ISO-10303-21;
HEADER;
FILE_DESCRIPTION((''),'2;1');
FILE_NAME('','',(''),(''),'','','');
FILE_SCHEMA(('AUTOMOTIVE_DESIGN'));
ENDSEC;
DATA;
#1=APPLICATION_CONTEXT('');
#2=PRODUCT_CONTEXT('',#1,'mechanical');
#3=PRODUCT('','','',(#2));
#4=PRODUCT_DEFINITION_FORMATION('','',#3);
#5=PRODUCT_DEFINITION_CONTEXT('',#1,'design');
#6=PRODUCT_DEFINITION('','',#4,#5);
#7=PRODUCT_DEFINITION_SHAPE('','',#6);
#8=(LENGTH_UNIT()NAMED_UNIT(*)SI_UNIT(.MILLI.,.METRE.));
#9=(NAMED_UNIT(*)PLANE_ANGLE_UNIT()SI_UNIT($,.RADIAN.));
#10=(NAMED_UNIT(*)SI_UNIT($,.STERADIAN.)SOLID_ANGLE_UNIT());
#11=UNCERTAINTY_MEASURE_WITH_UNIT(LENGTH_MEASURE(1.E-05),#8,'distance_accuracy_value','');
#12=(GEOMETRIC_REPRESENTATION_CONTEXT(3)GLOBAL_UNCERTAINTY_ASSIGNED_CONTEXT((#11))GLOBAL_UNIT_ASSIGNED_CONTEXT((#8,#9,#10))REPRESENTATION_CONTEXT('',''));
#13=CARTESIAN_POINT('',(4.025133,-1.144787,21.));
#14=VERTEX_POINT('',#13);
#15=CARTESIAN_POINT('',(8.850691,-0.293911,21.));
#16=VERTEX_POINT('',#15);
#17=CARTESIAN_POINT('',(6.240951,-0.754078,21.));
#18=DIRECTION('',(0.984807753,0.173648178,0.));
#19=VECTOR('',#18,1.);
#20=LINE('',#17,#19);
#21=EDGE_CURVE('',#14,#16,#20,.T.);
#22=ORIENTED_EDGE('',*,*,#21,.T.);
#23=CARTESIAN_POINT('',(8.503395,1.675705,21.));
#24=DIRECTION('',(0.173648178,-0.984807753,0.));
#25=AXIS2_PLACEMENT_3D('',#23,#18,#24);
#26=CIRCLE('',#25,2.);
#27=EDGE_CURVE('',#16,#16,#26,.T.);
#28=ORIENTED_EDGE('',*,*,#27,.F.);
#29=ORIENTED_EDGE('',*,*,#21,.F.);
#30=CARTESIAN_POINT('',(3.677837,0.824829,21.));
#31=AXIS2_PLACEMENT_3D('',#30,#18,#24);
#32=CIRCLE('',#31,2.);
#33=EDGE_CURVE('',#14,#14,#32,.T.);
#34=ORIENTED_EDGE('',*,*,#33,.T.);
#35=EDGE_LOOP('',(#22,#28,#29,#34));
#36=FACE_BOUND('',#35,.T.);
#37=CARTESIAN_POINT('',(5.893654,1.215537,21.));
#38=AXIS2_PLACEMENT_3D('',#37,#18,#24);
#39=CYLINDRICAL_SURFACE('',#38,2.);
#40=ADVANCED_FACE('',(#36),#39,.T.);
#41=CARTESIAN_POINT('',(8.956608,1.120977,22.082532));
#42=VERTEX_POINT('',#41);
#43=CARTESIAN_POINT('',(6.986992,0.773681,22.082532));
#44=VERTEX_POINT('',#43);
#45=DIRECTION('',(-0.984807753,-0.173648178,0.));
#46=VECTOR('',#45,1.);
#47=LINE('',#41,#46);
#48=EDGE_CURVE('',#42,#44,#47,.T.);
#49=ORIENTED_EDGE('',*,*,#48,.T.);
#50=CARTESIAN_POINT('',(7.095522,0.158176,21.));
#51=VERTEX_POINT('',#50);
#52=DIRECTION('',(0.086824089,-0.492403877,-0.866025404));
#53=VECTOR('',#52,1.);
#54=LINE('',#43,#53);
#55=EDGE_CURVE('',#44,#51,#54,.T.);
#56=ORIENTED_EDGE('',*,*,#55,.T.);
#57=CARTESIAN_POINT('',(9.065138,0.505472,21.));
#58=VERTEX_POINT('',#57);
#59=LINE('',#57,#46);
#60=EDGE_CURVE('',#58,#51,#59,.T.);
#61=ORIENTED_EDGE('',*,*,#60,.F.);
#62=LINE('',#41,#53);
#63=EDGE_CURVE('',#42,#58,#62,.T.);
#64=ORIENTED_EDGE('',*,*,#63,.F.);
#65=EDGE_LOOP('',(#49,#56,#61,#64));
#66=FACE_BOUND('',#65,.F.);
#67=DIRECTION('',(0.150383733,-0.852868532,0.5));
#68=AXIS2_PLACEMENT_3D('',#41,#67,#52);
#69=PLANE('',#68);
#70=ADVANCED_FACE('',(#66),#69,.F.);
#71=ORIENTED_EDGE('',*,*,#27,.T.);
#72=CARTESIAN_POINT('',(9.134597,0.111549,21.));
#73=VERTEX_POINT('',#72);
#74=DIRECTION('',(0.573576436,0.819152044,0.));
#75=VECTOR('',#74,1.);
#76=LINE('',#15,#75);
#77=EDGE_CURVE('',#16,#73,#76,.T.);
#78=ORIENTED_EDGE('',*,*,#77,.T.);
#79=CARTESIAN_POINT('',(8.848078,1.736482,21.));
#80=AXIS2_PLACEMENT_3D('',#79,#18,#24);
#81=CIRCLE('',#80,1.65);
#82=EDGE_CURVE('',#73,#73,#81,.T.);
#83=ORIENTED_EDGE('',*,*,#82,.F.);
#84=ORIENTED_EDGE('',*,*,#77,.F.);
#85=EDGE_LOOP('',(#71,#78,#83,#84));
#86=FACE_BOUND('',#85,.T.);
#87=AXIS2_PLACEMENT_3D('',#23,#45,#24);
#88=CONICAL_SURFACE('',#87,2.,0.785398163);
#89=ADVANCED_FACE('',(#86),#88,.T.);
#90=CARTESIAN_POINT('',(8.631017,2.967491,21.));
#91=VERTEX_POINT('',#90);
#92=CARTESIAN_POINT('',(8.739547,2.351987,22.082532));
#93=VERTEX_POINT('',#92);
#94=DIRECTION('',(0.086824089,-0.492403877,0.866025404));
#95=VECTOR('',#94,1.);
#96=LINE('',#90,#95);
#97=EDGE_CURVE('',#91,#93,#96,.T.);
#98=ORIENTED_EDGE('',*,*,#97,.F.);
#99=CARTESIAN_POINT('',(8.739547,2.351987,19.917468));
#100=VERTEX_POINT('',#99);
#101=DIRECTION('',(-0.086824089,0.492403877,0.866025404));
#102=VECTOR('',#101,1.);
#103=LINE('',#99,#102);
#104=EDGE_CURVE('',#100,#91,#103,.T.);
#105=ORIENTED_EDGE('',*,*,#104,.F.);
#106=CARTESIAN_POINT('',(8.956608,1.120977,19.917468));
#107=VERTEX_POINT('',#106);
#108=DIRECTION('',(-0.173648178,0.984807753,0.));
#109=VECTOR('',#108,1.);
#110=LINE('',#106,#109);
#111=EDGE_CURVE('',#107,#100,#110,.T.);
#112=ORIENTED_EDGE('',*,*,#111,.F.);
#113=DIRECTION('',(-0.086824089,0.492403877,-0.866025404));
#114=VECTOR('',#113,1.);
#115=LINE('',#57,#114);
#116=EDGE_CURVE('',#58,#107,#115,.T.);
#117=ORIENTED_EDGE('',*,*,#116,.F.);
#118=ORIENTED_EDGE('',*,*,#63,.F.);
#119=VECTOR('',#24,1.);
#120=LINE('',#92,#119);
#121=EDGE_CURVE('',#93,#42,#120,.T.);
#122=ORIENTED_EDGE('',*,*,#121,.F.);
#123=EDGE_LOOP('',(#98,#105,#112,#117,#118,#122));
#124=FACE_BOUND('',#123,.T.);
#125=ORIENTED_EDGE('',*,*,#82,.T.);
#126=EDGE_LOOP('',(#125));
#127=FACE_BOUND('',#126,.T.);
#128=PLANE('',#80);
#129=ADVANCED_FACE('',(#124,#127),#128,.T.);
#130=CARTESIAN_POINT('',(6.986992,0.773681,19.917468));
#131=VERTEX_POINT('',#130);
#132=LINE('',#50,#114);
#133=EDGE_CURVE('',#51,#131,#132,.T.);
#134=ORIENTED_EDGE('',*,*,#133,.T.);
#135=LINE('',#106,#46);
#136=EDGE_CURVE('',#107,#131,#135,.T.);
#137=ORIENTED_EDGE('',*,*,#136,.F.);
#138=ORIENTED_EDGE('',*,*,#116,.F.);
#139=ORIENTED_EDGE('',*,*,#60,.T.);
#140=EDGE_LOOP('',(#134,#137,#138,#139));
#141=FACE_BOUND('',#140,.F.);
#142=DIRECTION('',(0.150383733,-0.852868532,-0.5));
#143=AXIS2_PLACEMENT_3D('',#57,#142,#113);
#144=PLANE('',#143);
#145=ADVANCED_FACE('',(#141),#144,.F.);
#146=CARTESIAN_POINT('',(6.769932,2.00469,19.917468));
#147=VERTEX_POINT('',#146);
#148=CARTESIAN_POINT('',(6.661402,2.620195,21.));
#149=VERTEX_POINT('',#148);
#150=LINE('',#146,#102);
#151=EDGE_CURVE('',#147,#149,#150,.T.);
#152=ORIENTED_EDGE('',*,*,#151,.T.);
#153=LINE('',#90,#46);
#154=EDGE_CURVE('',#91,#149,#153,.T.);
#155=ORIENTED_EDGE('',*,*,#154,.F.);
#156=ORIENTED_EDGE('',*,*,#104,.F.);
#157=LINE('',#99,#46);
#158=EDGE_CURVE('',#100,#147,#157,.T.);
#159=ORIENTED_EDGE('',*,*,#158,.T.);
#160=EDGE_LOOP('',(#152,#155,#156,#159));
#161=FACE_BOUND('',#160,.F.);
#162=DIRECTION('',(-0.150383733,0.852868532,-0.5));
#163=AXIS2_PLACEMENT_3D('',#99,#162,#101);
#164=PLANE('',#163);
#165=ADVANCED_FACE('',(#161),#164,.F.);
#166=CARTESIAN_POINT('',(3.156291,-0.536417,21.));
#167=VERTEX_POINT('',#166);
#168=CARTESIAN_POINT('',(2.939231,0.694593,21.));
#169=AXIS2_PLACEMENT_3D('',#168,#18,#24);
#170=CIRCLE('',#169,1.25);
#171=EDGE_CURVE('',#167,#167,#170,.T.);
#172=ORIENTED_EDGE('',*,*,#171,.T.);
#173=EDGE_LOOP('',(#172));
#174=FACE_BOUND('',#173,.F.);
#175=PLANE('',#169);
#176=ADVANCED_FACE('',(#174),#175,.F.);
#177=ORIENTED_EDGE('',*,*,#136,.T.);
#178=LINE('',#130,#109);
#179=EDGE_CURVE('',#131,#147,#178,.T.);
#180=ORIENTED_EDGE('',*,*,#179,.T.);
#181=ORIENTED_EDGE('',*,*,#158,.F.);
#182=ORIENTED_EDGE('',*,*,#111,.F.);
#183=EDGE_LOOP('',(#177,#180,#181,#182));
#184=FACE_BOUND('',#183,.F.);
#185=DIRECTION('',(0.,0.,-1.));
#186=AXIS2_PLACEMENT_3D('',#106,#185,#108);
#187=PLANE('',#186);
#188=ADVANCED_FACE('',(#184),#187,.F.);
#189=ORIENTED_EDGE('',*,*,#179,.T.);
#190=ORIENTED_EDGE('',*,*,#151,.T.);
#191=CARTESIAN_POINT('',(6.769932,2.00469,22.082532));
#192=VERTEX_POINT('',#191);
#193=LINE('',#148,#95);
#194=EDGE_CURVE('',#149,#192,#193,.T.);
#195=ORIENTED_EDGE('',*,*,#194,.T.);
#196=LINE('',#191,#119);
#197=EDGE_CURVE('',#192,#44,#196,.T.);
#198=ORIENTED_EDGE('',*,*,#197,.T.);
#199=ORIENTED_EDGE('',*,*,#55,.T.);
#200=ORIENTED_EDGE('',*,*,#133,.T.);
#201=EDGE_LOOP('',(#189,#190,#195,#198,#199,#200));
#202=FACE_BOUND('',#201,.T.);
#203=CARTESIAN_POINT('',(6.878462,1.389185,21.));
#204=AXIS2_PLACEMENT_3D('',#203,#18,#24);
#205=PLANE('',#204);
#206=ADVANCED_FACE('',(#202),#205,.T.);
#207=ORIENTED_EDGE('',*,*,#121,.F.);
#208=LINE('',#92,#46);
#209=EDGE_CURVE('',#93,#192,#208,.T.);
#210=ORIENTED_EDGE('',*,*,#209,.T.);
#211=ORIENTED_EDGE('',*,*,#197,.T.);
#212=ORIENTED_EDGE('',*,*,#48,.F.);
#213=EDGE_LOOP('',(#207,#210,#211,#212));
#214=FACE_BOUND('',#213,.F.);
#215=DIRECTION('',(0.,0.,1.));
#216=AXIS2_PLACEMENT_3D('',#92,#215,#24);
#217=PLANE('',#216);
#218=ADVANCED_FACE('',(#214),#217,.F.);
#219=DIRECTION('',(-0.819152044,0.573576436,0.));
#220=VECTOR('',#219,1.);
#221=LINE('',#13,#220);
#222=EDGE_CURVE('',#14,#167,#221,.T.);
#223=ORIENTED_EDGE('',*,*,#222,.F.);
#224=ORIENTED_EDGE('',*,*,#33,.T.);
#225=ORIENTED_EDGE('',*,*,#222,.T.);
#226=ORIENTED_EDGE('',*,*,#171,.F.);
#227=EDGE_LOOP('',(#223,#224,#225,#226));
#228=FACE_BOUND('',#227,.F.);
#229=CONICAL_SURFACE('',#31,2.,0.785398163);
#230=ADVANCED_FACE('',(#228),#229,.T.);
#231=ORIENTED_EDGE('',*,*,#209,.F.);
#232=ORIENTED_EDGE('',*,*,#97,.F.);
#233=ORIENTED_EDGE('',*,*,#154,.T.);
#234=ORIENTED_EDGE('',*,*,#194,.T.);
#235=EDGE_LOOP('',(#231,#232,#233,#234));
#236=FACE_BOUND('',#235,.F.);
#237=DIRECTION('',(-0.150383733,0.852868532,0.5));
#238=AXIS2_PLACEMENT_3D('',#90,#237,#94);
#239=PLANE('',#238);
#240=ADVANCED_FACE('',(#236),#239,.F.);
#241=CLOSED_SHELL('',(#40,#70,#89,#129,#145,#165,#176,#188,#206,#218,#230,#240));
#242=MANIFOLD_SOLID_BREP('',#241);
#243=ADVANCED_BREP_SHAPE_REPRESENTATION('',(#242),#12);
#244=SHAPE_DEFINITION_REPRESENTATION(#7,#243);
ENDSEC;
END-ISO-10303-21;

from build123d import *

# Parameters (mm, degrees)
SKETCH119_W             = 2
SKETCH119_H             = 6
POCKET017_DEPTH         = 2
CHAMFER006_SIZE         = 0.35
CHAMFER007_SIZE         = 0.75
BODY020_PLACEMENT_ANGLE = 90
BODY021_PLACEMENT_ANGLE = 10
BODY024_PLACEMENT_ANGLE = 90


with BuildPart() as part:
    # Sketch119 → Revolution002 (revolve)
    with BuildSketch(Plane.XZ):
        with Locations((-1, 3)):
            Rectangle(SKETCH119_W, SKETCH119_H)
    revolve(axis=Axis((0, 0, 0), (0, 0, 1)))

    # Sketch124 (on Face3 of Revolution002) → Pocket017 (cut)
    with BuildSketch(Plane(origin=(0, 0, 6), x_dir=(-1, 0, 0), z_dir=(0, 0, 1))):
        Polygon((-0.625, -1.0825317547), (0.625, -1.0825317547), (1.25, 0), (0.625, 1.0825317547), (-0.625, 1.0825317547), (-1.25, 0), align=None)
    extrude(amount=-POCKET017_DEPTH, mode=Mode.SUBTRACT)

    # Chamfer006
    chamfer006_edges = [part.edges().sort_by_distance(p)[0] for p in [
        (2, 0, 6),
    ]]
    chamfer(chamfer006_edges, length=CHAMFER006_SIZE)

    # Chamfer007
    chamfer007_edges = [part.edges().sort_by_distance(p)[0] for p in [
        (2, 0, 0),
    ]]
    chamfer(chamfer007_edges, length=CHAMFER007_SIZE)


with BuildPart() as part_1:
    # Body020 placement: moved
    add(part.part.moved(Location((0, -3, 4))).rotate(Axis((0, -3, 4), (1, 0, 0)), BODY020_PLACEMENT_ANGLE))


with BuildPart() as part_2:
    # Clone001 placement: moved
    add(part_1.part.moved(Location((0, -1, 0))))


with BuildPart() as part_3:
    # Body021 placement: moved
    add(part_2.part.moved(Location((-0.1736481777, 0.984807753, 17))).rotate(Axis((-0.1736481777, 0.984807753, 17), (0, 0, 1)), BODY021_PLACEMENT_ANGLE))


with BuildPart() as part_4:
    # Clone003 placement: moved
    add(part_3.part.moved(Location((0.1736481777, -0.984807753, 0))))


with BuildPart() as part_5:
    # Body024 placement: moved
    add(part_4.part.moved(Location((-1, 0, 0))).rotate(Axis((-1, 0, 0), (0, 0, 1)), BODY024_PLACEMENT_ANGLE))


solid = part_5.part
